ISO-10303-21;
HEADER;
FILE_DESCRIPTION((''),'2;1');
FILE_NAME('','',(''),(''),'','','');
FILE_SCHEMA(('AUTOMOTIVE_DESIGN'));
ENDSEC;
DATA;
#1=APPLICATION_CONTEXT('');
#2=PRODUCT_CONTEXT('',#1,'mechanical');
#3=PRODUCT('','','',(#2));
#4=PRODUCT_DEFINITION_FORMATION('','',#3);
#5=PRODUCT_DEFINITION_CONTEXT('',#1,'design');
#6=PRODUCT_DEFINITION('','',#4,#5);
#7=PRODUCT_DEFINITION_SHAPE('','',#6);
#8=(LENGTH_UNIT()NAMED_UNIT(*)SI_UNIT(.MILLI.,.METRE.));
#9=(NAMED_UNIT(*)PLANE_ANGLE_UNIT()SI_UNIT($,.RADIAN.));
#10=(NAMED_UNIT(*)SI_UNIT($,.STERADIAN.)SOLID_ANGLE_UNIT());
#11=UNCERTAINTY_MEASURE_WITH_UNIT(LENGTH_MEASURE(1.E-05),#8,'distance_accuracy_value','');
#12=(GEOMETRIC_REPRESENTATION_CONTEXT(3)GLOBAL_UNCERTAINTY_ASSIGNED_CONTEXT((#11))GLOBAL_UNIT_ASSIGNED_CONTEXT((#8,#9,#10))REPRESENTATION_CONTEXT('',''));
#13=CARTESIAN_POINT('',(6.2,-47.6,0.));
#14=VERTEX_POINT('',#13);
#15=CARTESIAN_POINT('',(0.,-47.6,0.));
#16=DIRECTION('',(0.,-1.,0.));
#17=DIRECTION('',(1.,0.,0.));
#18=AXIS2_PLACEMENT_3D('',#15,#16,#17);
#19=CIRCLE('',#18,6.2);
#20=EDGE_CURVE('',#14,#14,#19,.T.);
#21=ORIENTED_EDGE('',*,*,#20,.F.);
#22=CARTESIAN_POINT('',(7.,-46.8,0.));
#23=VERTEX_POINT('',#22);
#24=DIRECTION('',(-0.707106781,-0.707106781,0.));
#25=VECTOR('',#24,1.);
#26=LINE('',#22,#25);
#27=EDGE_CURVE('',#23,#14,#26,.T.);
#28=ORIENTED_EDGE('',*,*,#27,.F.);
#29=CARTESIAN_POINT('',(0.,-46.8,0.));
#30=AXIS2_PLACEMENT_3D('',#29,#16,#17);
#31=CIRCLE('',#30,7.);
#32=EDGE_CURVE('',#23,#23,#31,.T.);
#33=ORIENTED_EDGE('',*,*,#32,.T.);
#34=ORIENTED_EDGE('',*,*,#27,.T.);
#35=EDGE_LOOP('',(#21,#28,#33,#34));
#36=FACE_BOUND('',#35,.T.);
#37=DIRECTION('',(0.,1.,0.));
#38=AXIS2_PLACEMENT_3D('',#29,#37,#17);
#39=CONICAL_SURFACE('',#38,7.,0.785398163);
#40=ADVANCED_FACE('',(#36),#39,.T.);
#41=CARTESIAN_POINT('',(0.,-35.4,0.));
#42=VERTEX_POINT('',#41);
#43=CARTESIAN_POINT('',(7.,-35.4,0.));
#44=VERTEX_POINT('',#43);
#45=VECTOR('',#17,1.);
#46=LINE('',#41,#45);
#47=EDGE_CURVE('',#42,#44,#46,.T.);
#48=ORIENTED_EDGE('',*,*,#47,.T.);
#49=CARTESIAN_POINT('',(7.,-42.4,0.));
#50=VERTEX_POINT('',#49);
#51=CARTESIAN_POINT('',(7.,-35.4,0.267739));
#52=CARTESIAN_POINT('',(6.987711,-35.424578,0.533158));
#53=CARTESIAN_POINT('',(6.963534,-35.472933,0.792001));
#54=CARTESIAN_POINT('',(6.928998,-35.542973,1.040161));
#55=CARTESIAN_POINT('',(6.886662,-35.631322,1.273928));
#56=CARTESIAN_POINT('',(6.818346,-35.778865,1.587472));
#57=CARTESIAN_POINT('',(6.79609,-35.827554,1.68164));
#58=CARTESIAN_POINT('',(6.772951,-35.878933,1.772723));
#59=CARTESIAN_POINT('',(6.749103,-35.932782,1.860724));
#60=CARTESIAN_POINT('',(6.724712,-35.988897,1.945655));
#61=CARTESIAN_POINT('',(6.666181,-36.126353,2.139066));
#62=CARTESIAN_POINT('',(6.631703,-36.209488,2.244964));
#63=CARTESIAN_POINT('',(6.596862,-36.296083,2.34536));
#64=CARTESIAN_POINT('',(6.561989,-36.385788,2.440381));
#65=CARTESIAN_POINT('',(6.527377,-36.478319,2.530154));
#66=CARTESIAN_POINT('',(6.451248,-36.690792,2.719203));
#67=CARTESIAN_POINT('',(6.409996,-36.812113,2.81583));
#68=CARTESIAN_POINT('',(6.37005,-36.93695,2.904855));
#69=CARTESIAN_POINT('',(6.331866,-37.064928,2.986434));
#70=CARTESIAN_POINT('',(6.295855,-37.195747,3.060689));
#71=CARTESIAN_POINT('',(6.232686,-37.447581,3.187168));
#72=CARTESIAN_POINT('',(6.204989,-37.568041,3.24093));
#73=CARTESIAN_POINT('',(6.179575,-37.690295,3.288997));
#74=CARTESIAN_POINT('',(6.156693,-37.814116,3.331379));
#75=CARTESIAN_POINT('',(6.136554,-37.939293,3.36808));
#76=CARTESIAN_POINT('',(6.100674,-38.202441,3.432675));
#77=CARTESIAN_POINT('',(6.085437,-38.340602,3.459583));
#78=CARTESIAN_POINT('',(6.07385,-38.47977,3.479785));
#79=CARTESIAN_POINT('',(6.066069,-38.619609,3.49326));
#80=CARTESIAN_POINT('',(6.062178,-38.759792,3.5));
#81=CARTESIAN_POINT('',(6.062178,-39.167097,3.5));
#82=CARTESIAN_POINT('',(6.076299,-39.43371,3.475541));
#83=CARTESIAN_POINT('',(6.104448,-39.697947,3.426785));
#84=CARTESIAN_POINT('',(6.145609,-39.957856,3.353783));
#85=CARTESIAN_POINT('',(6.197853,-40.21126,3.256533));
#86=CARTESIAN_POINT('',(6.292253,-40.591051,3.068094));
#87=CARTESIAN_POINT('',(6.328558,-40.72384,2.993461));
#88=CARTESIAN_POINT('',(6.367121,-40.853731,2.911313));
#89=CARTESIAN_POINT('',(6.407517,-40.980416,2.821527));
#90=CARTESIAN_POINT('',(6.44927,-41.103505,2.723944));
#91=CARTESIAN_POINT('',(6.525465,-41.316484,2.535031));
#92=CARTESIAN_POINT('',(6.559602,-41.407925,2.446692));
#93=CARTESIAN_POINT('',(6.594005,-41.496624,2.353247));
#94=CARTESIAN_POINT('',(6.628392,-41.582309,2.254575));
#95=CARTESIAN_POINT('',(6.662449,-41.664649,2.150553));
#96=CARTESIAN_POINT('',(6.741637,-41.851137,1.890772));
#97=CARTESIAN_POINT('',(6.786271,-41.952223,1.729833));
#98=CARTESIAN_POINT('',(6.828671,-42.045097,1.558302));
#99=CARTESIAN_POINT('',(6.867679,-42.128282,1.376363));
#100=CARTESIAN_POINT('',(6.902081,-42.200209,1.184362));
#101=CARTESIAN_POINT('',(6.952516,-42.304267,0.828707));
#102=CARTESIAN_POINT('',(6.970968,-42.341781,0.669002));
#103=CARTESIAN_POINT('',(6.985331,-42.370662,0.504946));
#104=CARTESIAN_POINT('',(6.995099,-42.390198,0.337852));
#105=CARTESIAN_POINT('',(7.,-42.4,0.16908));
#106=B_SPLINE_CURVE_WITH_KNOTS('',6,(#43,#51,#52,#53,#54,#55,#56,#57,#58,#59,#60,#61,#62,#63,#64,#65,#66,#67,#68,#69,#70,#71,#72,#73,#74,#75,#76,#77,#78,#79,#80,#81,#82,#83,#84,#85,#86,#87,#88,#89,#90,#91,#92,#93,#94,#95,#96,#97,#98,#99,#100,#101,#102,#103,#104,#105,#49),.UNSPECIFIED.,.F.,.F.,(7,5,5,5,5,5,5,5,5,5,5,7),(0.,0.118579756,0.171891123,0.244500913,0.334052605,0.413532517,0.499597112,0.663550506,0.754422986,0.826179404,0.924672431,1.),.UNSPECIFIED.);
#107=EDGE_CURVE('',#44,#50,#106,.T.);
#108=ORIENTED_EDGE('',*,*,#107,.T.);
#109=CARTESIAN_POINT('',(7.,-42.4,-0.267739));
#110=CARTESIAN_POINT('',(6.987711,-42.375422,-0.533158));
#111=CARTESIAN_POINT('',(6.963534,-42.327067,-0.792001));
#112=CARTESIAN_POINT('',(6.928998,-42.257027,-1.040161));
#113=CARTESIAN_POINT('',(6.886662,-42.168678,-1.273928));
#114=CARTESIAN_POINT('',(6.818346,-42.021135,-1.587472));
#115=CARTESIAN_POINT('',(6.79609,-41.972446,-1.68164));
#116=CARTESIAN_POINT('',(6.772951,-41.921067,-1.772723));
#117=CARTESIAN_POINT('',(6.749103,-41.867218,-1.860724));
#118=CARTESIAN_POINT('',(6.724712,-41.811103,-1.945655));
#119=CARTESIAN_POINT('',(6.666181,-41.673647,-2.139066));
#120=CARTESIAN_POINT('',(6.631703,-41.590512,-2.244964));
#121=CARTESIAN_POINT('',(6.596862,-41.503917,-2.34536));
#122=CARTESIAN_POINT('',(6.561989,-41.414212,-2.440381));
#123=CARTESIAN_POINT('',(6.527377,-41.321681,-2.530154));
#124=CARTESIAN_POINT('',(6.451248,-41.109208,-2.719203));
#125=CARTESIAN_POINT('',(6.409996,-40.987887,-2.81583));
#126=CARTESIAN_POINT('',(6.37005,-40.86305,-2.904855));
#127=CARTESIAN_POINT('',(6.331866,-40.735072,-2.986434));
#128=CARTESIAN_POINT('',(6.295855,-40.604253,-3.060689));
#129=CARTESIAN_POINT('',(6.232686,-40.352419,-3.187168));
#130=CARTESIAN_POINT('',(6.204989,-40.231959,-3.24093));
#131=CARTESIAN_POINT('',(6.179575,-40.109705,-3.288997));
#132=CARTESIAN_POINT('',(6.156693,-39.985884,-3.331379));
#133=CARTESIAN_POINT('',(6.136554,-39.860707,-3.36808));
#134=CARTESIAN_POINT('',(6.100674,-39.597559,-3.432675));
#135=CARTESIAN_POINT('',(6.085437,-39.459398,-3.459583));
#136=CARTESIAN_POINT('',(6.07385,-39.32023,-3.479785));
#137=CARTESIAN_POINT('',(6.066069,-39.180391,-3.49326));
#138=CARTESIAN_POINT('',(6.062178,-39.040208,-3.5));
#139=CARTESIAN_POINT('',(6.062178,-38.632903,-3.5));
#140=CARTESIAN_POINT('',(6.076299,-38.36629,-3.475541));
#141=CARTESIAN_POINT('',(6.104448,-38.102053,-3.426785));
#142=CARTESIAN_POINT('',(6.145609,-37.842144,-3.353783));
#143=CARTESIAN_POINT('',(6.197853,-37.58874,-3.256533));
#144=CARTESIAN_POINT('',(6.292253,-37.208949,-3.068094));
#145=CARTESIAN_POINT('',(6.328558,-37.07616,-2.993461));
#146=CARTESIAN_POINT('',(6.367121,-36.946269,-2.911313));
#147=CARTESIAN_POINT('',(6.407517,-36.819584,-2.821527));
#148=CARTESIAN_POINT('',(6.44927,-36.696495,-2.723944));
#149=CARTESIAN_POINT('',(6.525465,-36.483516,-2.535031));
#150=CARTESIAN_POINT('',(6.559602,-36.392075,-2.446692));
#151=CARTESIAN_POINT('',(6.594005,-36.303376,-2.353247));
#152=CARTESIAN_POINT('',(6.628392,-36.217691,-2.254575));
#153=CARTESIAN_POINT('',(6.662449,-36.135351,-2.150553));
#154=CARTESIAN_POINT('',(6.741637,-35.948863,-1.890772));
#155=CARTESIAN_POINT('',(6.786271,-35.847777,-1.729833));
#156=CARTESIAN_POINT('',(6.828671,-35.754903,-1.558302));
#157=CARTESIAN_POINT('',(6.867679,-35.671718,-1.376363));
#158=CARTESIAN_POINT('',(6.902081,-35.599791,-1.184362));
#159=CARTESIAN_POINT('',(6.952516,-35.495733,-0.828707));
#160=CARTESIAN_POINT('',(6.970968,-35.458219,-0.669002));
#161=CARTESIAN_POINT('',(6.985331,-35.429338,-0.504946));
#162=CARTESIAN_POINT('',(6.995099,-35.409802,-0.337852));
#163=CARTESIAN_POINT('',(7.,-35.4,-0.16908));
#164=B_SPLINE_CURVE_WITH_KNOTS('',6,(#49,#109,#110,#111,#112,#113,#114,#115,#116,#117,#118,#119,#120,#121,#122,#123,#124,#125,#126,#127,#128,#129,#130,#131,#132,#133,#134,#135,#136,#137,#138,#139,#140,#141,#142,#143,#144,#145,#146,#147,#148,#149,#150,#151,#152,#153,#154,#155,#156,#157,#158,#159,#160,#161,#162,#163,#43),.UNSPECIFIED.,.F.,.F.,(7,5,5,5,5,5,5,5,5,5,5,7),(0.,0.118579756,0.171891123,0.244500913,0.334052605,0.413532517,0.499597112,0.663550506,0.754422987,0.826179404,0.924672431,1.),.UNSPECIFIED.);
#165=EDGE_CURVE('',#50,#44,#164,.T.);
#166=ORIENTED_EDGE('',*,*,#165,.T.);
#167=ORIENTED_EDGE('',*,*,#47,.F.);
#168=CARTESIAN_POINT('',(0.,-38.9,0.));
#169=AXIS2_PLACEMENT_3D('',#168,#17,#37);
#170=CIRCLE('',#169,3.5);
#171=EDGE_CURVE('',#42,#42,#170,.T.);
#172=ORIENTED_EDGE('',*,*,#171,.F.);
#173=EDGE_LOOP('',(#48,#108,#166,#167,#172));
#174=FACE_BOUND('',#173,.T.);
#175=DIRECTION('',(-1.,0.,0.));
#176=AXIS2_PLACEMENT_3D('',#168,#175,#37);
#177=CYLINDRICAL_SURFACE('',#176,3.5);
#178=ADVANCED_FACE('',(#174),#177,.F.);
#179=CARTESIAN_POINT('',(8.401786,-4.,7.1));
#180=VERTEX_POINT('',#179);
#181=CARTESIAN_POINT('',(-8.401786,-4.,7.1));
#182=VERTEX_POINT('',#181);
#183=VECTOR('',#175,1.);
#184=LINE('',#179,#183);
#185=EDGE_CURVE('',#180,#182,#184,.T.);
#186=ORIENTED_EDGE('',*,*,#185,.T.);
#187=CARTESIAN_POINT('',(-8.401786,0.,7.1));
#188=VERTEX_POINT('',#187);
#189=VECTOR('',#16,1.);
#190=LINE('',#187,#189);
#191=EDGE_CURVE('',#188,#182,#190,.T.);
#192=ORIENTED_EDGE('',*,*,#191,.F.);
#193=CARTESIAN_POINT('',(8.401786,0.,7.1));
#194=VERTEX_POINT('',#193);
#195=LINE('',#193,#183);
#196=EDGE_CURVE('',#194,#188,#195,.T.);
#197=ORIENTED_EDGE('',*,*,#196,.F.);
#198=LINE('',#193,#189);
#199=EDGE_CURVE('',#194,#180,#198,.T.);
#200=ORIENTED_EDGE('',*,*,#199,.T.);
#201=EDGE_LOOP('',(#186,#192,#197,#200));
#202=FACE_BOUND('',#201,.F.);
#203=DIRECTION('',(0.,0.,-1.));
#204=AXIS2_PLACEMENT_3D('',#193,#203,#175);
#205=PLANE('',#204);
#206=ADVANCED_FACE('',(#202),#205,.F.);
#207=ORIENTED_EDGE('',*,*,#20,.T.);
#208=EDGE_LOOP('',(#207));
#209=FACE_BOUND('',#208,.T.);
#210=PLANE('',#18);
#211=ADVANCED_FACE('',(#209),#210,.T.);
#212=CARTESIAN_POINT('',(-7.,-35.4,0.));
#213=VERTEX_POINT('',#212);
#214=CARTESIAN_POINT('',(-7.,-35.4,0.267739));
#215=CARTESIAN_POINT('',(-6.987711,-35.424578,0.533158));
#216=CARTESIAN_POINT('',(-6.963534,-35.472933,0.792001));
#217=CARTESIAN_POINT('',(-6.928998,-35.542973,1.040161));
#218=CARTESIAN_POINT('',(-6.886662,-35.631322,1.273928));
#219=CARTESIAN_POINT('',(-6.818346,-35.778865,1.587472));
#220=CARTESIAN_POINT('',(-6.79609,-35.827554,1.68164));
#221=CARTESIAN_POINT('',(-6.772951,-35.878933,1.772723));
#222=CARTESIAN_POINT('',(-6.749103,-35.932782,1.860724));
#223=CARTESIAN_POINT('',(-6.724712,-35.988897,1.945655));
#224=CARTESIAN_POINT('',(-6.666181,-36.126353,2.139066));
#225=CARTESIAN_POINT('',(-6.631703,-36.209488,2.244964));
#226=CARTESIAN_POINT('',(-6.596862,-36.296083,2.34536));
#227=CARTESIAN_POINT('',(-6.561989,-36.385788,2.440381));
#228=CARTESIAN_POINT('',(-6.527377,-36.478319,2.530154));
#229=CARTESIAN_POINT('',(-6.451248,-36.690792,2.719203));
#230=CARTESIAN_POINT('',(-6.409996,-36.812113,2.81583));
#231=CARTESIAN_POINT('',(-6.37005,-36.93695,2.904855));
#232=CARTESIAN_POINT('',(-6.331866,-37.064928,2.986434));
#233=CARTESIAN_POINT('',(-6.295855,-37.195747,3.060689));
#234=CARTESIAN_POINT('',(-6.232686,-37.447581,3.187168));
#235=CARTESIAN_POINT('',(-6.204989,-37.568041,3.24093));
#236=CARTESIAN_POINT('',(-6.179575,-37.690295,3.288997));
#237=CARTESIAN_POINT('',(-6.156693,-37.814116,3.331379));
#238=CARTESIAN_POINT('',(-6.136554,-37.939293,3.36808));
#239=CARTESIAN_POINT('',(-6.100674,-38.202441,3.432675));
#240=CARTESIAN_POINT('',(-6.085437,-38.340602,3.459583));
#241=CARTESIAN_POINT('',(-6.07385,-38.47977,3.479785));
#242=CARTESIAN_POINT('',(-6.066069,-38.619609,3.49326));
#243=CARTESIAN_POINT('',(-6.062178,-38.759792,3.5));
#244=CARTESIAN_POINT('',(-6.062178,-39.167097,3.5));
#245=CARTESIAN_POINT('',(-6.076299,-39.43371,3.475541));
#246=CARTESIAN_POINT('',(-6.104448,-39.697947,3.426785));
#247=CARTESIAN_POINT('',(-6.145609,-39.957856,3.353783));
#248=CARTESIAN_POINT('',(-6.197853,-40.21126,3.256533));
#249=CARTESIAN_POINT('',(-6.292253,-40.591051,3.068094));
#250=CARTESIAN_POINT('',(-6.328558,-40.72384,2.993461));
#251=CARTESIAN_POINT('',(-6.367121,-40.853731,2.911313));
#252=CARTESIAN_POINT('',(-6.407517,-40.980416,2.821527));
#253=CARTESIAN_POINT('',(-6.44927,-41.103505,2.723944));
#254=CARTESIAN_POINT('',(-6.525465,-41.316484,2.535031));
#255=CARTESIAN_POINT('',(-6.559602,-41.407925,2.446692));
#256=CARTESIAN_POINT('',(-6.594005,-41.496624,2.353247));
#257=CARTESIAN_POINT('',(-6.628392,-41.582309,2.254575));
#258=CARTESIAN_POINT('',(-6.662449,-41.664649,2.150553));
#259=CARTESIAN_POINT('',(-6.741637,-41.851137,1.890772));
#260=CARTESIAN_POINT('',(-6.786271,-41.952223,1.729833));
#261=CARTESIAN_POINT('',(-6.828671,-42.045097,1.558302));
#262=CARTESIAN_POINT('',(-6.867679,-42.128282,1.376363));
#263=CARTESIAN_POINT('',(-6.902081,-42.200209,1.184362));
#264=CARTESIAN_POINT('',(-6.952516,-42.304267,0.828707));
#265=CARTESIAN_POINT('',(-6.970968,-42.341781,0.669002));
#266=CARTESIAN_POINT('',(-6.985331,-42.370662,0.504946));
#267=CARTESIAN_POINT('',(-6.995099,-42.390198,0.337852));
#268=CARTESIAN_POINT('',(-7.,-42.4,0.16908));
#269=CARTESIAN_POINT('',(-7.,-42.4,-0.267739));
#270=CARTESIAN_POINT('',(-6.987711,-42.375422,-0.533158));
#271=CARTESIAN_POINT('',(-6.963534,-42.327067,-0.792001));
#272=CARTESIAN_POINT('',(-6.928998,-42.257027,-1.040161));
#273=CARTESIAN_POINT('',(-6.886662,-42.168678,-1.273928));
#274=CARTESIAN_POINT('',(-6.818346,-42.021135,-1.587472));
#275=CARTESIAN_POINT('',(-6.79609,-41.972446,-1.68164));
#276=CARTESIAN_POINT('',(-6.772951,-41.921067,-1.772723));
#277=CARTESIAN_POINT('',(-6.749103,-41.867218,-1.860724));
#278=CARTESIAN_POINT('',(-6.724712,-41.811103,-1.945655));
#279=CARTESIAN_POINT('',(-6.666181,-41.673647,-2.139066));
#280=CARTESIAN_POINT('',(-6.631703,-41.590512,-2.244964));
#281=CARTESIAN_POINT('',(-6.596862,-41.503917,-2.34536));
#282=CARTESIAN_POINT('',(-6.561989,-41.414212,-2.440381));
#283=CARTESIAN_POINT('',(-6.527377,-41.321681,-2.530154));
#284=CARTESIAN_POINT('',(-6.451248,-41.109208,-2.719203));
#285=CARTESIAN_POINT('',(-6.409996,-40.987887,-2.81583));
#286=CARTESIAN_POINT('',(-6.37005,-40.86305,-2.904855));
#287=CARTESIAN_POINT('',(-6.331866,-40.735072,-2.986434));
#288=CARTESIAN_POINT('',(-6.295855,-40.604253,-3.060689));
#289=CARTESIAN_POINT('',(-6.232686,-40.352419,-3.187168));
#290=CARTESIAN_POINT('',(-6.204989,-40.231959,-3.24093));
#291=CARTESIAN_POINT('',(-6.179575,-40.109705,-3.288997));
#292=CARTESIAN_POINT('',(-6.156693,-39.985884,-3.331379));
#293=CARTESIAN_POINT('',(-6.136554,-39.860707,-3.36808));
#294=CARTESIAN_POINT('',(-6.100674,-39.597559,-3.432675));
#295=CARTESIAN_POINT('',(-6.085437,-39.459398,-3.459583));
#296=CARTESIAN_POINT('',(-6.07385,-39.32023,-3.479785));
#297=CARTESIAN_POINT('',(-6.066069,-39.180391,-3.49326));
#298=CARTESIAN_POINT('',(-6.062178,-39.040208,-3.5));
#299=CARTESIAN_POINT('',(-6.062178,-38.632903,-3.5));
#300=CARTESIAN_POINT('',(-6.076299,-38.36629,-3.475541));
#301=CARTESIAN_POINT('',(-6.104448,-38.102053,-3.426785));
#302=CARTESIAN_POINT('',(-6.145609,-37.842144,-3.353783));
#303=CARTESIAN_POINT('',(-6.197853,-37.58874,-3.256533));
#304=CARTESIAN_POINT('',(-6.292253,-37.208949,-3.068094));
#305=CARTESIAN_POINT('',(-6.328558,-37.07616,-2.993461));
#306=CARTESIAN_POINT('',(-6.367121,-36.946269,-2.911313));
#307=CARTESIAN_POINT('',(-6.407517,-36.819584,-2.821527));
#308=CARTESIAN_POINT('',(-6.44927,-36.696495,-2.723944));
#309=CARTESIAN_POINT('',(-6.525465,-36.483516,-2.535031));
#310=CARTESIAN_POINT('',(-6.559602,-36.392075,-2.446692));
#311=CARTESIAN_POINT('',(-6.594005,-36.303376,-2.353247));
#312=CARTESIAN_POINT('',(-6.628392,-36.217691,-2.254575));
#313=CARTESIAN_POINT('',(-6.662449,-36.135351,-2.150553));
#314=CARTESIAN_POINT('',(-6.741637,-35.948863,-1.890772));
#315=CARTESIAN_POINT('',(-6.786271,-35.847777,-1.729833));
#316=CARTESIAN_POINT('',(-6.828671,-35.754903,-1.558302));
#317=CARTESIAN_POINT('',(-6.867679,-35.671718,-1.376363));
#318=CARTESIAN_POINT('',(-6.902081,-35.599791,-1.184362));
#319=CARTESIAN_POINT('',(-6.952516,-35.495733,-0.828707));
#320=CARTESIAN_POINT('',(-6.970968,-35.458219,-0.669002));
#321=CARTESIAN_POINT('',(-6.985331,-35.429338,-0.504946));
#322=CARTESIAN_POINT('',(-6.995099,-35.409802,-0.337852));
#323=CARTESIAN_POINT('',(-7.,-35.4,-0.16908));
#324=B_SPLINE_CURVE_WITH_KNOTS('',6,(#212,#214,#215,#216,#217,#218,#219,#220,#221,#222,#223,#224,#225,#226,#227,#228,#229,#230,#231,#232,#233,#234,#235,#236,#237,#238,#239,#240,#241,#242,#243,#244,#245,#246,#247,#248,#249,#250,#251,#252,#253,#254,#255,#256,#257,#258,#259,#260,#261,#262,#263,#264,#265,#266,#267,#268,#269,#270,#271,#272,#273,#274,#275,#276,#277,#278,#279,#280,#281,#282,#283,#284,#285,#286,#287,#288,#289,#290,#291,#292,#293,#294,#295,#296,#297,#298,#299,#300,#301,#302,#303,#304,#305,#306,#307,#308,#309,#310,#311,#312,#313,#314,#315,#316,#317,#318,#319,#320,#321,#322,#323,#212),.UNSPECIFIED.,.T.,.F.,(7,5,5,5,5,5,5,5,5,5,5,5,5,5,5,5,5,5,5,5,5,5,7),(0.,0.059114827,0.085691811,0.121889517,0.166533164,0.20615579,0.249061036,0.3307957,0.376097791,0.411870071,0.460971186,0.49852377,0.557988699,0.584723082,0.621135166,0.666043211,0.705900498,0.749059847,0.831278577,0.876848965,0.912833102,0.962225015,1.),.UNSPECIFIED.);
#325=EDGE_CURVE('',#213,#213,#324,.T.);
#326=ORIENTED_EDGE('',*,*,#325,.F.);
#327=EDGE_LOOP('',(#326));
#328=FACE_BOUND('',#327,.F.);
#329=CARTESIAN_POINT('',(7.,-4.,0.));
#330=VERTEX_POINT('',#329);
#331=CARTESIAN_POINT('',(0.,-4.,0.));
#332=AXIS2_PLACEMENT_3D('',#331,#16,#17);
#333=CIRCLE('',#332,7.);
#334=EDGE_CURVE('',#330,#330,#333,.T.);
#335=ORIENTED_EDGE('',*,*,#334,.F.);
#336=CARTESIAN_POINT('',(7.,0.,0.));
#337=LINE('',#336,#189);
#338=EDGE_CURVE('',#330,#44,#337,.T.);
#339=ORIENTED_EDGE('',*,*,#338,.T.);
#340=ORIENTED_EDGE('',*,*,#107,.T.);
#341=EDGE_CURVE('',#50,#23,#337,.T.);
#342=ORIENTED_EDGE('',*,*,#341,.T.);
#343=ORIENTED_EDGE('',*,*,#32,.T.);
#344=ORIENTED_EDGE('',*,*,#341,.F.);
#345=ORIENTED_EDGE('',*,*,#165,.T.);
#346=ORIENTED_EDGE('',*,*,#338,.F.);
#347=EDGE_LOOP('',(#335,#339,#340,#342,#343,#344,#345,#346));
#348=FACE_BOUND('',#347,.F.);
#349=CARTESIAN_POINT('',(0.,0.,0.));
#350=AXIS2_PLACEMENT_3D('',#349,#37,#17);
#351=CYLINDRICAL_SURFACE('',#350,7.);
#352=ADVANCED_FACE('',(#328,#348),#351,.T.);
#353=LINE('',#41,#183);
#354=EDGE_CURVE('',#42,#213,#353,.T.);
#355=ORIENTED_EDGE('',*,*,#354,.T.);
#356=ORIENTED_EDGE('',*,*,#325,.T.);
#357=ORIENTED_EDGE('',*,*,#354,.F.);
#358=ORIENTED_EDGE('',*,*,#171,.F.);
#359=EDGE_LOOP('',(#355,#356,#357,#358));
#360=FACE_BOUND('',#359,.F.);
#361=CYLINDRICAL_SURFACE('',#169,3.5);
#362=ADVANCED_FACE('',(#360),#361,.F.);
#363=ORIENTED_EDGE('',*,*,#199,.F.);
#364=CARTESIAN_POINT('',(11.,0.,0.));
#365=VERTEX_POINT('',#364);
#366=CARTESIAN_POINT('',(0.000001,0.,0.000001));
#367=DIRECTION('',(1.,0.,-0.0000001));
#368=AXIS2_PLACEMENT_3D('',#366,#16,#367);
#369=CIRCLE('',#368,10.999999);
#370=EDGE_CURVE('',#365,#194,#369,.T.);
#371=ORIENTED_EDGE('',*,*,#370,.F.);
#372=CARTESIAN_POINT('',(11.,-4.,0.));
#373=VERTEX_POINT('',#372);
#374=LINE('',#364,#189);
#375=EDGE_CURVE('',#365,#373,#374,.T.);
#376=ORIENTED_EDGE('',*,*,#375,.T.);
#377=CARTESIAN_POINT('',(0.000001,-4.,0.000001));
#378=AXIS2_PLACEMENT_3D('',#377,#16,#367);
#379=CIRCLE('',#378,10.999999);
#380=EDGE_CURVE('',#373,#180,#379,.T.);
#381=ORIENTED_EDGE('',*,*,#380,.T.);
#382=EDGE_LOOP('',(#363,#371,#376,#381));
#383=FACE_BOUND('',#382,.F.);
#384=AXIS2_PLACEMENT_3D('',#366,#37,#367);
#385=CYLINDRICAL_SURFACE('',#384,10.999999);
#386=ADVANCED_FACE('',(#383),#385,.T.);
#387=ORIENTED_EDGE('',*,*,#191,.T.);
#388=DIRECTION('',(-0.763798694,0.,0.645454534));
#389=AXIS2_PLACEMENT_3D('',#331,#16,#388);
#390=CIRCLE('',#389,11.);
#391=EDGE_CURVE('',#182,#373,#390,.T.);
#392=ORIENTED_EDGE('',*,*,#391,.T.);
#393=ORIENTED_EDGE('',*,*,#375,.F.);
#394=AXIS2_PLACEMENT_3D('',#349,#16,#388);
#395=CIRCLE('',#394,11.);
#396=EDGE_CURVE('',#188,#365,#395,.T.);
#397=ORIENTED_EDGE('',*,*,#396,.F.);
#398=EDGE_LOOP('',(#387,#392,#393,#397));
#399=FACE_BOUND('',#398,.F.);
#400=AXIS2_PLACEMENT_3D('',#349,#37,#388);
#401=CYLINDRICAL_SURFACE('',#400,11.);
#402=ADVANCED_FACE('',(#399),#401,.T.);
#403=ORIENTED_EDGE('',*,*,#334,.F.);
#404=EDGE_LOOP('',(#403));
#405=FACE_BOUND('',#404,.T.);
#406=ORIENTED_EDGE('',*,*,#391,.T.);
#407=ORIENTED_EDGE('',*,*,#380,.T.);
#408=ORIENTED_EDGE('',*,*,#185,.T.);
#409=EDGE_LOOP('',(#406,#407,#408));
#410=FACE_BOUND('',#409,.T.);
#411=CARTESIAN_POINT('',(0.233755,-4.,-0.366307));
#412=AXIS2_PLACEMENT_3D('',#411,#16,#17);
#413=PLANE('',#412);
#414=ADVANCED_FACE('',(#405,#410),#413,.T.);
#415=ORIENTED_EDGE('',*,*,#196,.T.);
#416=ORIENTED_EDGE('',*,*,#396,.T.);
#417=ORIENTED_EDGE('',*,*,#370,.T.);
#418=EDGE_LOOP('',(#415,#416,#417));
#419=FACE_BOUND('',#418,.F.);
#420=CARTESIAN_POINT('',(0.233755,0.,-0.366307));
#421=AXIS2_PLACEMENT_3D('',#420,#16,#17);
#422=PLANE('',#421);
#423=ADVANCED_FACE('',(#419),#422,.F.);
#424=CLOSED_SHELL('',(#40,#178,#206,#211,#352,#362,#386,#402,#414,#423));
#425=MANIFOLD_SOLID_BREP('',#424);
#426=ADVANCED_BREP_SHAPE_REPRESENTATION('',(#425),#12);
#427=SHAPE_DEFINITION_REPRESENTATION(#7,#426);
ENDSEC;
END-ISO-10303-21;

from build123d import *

# Parameters (mm, degrees)
F0_R          = 7
F1_DEPTH      = 4
F2_DEPTH      = 47.6
F3_SIZE       = 0.8
F4_R          = 3.5
F5_DEPTH      = 14.3
F5_DEPTH_BACK = 14.4


with BuildPart() as f1:
    # F0 (on Front) → F1 (new body)
    with BuildSketch(Plane.XZ):
        with BuildLine():
            ThreePointArc((-8.401786, 7.1), (-3.780235, -10.330045), (11, 0))
            ThreePointArc((11, 0), (10.330045, 3.780235), (8.401786, 7.1))
            Line((8.401786, 7.1), (-8.401786, 7.1))
        make_face()
        Circle(F0_R, mode=Mode.SUBTRACT)
    extrude(amount=F1_DEPTH)

    # F0 (on Front) → F2 (join)
    with BuildSketch(Plane.XZ):
        Circle(F0_R)
    extrude(amount=F2_DEPTH)

    # F3
    f3_edges = [f1.edges().sort_by_distance(p)[0] for p in [
        (-7, -47.6, 0),
    ]]
    chamfer(f3_edges, length=F3_SIZE)

    # F4 (on Right) → F5 (cut, two sides)
    with BuildSketch(Plane.YZ) as f5_sk:
        with Locations((-38.9, 0)):
            Circle(F4_R)
    extrude(amount=F5_DEPTH, mode=Mode.SUBTRACT)
    extrude(f5_sk.sketch, amount=-F5_DEPTH_BACK, mode=Mode.SUBTRACT)


solid = f1.part
